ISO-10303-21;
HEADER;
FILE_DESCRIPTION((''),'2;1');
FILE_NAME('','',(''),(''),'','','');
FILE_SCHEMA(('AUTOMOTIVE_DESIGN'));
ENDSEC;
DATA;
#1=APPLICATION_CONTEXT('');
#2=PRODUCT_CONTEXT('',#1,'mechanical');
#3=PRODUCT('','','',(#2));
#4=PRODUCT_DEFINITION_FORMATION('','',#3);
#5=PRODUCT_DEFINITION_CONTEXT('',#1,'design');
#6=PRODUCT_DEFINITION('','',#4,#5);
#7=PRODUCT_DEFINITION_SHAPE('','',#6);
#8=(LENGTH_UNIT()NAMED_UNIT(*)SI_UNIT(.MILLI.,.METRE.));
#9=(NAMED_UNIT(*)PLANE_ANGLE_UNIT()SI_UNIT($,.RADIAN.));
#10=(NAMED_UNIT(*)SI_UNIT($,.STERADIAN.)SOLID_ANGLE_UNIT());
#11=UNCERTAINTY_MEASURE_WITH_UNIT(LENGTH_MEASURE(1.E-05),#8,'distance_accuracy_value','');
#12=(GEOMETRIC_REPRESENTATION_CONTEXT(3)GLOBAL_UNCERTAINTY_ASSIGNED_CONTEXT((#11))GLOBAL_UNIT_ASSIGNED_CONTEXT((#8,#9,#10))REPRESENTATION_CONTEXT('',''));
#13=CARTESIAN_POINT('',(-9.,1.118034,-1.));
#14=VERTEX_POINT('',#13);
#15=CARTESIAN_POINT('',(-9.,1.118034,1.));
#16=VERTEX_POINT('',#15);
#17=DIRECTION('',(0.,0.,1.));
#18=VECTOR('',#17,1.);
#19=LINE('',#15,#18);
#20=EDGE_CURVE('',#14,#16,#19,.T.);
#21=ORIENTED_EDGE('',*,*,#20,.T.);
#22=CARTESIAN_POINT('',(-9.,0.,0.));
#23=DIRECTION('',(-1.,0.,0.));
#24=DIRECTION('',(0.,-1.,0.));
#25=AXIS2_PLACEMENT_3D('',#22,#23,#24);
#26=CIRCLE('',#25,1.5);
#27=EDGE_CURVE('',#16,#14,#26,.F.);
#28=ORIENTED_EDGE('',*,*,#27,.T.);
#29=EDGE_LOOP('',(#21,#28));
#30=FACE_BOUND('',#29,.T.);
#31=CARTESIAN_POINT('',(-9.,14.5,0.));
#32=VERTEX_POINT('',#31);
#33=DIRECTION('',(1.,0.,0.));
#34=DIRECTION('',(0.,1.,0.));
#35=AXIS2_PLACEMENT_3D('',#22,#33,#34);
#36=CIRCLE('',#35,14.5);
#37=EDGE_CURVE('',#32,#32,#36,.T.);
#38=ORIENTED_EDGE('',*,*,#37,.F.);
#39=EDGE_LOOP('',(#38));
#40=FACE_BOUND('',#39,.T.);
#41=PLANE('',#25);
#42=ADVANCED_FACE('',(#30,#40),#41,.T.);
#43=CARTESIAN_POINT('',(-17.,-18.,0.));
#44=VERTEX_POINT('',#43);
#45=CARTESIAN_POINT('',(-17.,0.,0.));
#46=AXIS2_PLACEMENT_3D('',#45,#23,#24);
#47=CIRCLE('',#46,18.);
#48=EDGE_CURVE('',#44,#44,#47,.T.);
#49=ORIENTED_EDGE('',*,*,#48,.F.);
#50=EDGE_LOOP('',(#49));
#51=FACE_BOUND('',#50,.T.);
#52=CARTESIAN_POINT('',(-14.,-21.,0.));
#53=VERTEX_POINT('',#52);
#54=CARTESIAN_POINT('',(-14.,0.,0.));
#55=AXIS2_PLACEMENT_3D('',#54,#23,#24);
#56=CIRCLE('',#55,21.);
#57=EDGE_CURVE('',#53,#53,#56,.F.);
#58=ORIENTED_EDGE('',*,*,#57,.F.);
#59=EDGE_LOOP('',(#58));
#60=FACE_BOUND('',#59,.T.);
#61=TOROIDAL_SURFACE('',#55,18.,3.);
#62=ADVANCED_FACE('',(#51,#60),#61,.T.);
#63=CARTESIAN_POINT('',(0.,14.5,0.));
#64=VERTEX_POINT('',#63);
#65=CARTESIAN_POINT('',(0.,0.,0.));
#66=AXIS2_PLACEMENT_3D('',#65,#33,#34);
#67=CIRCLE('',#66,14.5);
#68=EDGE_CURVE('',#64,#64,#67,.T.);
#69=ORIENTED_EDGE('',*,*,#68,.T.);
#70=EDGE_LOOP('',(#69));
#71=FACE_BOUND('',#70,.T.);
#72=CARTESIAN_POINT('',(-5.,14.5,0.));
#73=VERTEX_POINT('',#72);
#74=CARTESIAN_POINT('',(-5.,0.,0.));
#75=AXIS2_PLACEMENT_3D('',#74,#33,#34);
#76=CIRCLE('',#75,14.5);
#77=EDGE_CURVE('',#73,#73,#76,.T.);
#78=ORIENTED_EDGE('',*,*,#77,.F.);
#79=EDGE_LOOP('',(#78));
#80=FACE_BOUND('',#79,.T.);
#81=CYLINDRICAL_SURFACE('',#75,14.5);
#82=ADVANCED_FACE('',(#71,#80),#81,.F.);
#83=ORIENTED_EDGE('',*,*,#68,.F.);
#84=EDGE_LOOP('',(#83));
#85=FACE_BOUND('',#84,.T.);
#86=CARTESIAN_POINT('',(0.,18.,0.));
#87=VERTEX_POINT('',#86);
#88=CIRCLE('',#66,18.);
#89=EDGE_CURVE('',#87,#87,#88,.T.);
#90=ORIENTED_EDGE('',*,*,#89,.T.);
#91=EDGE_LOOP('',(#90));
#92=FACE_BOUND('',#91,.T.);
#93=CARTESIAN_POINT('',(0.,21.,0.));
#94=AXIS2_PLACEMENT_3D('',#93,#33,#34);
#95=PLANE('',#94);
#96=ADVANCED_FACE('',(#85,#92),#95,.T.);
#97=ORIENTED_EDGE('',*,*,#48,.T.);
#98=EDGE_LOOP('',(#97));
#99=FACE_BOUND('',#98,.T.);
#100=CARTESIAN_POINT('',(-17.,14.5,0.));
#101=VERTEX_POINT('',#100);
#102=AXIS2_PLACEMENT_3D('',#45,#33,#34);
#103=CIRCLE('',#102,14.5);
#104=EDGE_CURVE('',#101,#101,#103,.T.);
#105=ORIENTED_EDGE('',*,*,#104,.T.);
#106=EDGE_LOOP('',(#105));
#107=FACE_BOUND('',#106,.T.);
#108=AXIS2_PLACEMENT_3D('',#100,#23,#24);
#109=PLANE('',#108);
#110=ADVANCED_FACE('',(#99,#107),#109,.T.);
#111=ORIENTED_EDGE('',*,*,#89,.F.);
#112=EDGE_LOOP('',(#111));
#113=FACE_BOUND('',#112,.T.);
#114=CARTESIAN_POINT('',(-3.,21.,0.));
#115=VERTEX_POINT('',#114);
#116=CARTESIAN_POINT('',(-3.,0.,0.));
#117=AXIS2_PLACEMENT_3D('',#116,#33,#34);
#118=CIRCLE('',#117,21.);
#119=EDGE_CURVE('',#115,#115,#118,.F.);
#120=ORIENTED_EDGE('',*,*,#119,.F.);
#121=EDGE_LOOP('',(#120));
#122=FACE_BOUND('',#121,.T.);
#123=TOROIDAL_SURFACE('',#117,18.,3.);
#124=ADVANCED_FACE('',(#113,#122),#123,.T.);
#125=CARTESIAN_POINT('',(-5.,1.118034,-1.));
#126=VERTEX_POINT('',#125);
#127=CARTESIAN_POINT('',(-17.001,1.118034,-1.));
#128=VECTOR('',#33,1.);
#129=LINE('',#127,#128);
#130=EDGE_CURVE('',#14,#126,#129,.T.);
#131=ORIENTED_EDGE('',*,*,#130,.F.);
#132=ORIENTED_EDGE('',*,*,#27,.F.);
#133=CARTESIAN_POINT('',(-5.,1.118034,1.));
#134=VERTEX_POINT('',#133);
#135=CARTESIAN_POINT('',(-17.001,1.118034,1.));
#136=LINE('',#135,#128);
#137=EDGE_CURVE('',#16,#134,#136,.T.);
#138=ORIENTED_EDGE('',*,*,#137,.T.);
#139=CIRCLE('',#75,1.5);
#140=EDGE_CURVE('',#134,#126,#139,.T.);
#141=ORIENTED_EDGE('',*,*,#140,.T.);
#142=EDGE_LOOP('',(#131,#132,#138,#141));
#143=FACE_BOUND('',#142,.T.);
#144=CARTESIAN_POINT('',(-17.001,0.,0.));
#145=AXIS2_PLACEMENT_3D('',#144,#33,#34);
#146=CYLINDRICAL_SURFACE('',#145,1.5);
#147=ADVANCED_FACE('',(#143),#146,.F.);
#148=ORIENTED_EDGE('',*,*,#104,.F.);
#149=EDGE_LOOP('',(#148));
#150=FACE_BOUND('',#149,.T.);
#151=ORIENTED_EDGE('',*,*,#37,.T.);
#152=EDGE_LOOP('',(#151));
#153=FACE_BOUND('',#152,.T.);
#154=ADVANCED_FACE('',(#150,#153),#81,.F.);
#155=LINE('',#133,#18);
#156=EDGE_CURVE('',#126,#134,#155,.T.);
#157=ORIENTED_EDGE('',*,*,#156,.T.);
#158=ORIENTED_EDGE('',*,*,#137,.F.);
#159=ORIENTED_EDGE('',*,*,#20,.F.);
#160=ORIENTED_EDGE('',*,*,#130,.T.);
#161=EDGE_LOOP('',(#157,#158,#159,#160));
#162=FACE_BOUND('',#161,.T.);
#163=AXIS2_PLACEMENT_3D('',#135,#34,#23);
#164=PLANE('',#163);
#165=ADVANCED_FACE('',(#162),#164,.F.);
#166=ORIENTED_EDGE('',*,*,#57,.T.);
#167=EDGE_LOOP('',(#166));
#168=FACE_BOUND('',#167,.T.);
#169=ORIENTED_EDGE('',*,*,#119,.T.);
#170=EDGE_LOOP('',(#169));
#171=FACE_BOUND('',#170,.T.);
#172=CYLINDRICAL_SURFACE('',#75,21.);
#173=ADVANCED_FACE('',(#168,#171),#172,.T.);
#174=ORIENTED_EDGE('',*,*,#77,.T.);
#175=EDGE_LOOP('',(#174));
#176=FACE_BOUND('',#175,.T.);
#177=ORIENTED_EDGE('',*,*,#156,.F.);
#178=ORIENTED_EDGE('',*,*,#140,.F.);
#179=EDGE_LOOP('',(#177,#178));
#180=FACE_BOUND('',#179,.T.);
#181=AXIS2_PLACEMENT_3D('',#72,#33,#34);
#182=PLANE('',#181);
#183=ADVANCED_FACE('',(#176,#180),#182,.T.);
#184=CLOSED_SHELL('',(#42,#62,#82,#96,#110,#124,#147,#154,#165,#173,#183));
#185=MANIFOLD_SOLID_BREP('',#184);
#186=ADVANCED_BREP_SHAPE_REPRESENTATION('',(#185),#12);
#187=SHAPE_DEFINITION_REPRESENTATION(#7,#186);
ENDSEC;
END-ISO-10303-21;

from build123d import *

# Parameters (mm, degrees)
CONG_1_R                = 3
ENL_V_MAT_EXTRU_1_REACH = 34.031


with BuildPart() as part:
    # Esquisse1 → Révolution1 (revolve)
    with BuildSketch(Plane.XY):
        Polygon((-17, 21), (0, 21), (0, 14.5), (-5, 14.5), (-5, 0), (-9, 0), (-9, 14.5), (-17, 14.5), align=None)
    revolve(axis=Axis((-5, 0, 0), (-1, 0, 0)))

    # Congé1
    cong_1_edges = [part.edges().sort_by_distance(p)[0] for p in [
        (-17, -21, 0),
        (0, -21, 0),
    ]]
    fillet(cong_1_edges, radius=CONG_1_R)

    # Esquisse2 → Enlèv. mat.-Extru.1 (cut, up to next)
    with BuildSketch(Plane(origin=(-5, 0, 0), x_dir=(0, 0, -1), z_dir=(1, 0, 0)), mode=Mode.PRIVATE) as enl_v_mat_extru_1_sk1:
        with BuildLine():
            Line((-1, 1.118033989), (1, 1.118033989))
            ThreePointArc((1, 1.118033989), (0, -1.5), (-1, 1.118033989))
        make_face()
    enl_v_mat_extru_1_tool1 = extrude(enl_v_mat_extru_1_sk1.sketch, amount=-ENL_V_MAT_EXTRU_1_REACH, mode=Mode.PRIVATE) & part.part
    add(enl_v_mat_extru_1_tool1.solids().sort_by_distance((-5, -0.101863, 0))[0], mode=Mode.SUBTRACT)


solid = part.part
